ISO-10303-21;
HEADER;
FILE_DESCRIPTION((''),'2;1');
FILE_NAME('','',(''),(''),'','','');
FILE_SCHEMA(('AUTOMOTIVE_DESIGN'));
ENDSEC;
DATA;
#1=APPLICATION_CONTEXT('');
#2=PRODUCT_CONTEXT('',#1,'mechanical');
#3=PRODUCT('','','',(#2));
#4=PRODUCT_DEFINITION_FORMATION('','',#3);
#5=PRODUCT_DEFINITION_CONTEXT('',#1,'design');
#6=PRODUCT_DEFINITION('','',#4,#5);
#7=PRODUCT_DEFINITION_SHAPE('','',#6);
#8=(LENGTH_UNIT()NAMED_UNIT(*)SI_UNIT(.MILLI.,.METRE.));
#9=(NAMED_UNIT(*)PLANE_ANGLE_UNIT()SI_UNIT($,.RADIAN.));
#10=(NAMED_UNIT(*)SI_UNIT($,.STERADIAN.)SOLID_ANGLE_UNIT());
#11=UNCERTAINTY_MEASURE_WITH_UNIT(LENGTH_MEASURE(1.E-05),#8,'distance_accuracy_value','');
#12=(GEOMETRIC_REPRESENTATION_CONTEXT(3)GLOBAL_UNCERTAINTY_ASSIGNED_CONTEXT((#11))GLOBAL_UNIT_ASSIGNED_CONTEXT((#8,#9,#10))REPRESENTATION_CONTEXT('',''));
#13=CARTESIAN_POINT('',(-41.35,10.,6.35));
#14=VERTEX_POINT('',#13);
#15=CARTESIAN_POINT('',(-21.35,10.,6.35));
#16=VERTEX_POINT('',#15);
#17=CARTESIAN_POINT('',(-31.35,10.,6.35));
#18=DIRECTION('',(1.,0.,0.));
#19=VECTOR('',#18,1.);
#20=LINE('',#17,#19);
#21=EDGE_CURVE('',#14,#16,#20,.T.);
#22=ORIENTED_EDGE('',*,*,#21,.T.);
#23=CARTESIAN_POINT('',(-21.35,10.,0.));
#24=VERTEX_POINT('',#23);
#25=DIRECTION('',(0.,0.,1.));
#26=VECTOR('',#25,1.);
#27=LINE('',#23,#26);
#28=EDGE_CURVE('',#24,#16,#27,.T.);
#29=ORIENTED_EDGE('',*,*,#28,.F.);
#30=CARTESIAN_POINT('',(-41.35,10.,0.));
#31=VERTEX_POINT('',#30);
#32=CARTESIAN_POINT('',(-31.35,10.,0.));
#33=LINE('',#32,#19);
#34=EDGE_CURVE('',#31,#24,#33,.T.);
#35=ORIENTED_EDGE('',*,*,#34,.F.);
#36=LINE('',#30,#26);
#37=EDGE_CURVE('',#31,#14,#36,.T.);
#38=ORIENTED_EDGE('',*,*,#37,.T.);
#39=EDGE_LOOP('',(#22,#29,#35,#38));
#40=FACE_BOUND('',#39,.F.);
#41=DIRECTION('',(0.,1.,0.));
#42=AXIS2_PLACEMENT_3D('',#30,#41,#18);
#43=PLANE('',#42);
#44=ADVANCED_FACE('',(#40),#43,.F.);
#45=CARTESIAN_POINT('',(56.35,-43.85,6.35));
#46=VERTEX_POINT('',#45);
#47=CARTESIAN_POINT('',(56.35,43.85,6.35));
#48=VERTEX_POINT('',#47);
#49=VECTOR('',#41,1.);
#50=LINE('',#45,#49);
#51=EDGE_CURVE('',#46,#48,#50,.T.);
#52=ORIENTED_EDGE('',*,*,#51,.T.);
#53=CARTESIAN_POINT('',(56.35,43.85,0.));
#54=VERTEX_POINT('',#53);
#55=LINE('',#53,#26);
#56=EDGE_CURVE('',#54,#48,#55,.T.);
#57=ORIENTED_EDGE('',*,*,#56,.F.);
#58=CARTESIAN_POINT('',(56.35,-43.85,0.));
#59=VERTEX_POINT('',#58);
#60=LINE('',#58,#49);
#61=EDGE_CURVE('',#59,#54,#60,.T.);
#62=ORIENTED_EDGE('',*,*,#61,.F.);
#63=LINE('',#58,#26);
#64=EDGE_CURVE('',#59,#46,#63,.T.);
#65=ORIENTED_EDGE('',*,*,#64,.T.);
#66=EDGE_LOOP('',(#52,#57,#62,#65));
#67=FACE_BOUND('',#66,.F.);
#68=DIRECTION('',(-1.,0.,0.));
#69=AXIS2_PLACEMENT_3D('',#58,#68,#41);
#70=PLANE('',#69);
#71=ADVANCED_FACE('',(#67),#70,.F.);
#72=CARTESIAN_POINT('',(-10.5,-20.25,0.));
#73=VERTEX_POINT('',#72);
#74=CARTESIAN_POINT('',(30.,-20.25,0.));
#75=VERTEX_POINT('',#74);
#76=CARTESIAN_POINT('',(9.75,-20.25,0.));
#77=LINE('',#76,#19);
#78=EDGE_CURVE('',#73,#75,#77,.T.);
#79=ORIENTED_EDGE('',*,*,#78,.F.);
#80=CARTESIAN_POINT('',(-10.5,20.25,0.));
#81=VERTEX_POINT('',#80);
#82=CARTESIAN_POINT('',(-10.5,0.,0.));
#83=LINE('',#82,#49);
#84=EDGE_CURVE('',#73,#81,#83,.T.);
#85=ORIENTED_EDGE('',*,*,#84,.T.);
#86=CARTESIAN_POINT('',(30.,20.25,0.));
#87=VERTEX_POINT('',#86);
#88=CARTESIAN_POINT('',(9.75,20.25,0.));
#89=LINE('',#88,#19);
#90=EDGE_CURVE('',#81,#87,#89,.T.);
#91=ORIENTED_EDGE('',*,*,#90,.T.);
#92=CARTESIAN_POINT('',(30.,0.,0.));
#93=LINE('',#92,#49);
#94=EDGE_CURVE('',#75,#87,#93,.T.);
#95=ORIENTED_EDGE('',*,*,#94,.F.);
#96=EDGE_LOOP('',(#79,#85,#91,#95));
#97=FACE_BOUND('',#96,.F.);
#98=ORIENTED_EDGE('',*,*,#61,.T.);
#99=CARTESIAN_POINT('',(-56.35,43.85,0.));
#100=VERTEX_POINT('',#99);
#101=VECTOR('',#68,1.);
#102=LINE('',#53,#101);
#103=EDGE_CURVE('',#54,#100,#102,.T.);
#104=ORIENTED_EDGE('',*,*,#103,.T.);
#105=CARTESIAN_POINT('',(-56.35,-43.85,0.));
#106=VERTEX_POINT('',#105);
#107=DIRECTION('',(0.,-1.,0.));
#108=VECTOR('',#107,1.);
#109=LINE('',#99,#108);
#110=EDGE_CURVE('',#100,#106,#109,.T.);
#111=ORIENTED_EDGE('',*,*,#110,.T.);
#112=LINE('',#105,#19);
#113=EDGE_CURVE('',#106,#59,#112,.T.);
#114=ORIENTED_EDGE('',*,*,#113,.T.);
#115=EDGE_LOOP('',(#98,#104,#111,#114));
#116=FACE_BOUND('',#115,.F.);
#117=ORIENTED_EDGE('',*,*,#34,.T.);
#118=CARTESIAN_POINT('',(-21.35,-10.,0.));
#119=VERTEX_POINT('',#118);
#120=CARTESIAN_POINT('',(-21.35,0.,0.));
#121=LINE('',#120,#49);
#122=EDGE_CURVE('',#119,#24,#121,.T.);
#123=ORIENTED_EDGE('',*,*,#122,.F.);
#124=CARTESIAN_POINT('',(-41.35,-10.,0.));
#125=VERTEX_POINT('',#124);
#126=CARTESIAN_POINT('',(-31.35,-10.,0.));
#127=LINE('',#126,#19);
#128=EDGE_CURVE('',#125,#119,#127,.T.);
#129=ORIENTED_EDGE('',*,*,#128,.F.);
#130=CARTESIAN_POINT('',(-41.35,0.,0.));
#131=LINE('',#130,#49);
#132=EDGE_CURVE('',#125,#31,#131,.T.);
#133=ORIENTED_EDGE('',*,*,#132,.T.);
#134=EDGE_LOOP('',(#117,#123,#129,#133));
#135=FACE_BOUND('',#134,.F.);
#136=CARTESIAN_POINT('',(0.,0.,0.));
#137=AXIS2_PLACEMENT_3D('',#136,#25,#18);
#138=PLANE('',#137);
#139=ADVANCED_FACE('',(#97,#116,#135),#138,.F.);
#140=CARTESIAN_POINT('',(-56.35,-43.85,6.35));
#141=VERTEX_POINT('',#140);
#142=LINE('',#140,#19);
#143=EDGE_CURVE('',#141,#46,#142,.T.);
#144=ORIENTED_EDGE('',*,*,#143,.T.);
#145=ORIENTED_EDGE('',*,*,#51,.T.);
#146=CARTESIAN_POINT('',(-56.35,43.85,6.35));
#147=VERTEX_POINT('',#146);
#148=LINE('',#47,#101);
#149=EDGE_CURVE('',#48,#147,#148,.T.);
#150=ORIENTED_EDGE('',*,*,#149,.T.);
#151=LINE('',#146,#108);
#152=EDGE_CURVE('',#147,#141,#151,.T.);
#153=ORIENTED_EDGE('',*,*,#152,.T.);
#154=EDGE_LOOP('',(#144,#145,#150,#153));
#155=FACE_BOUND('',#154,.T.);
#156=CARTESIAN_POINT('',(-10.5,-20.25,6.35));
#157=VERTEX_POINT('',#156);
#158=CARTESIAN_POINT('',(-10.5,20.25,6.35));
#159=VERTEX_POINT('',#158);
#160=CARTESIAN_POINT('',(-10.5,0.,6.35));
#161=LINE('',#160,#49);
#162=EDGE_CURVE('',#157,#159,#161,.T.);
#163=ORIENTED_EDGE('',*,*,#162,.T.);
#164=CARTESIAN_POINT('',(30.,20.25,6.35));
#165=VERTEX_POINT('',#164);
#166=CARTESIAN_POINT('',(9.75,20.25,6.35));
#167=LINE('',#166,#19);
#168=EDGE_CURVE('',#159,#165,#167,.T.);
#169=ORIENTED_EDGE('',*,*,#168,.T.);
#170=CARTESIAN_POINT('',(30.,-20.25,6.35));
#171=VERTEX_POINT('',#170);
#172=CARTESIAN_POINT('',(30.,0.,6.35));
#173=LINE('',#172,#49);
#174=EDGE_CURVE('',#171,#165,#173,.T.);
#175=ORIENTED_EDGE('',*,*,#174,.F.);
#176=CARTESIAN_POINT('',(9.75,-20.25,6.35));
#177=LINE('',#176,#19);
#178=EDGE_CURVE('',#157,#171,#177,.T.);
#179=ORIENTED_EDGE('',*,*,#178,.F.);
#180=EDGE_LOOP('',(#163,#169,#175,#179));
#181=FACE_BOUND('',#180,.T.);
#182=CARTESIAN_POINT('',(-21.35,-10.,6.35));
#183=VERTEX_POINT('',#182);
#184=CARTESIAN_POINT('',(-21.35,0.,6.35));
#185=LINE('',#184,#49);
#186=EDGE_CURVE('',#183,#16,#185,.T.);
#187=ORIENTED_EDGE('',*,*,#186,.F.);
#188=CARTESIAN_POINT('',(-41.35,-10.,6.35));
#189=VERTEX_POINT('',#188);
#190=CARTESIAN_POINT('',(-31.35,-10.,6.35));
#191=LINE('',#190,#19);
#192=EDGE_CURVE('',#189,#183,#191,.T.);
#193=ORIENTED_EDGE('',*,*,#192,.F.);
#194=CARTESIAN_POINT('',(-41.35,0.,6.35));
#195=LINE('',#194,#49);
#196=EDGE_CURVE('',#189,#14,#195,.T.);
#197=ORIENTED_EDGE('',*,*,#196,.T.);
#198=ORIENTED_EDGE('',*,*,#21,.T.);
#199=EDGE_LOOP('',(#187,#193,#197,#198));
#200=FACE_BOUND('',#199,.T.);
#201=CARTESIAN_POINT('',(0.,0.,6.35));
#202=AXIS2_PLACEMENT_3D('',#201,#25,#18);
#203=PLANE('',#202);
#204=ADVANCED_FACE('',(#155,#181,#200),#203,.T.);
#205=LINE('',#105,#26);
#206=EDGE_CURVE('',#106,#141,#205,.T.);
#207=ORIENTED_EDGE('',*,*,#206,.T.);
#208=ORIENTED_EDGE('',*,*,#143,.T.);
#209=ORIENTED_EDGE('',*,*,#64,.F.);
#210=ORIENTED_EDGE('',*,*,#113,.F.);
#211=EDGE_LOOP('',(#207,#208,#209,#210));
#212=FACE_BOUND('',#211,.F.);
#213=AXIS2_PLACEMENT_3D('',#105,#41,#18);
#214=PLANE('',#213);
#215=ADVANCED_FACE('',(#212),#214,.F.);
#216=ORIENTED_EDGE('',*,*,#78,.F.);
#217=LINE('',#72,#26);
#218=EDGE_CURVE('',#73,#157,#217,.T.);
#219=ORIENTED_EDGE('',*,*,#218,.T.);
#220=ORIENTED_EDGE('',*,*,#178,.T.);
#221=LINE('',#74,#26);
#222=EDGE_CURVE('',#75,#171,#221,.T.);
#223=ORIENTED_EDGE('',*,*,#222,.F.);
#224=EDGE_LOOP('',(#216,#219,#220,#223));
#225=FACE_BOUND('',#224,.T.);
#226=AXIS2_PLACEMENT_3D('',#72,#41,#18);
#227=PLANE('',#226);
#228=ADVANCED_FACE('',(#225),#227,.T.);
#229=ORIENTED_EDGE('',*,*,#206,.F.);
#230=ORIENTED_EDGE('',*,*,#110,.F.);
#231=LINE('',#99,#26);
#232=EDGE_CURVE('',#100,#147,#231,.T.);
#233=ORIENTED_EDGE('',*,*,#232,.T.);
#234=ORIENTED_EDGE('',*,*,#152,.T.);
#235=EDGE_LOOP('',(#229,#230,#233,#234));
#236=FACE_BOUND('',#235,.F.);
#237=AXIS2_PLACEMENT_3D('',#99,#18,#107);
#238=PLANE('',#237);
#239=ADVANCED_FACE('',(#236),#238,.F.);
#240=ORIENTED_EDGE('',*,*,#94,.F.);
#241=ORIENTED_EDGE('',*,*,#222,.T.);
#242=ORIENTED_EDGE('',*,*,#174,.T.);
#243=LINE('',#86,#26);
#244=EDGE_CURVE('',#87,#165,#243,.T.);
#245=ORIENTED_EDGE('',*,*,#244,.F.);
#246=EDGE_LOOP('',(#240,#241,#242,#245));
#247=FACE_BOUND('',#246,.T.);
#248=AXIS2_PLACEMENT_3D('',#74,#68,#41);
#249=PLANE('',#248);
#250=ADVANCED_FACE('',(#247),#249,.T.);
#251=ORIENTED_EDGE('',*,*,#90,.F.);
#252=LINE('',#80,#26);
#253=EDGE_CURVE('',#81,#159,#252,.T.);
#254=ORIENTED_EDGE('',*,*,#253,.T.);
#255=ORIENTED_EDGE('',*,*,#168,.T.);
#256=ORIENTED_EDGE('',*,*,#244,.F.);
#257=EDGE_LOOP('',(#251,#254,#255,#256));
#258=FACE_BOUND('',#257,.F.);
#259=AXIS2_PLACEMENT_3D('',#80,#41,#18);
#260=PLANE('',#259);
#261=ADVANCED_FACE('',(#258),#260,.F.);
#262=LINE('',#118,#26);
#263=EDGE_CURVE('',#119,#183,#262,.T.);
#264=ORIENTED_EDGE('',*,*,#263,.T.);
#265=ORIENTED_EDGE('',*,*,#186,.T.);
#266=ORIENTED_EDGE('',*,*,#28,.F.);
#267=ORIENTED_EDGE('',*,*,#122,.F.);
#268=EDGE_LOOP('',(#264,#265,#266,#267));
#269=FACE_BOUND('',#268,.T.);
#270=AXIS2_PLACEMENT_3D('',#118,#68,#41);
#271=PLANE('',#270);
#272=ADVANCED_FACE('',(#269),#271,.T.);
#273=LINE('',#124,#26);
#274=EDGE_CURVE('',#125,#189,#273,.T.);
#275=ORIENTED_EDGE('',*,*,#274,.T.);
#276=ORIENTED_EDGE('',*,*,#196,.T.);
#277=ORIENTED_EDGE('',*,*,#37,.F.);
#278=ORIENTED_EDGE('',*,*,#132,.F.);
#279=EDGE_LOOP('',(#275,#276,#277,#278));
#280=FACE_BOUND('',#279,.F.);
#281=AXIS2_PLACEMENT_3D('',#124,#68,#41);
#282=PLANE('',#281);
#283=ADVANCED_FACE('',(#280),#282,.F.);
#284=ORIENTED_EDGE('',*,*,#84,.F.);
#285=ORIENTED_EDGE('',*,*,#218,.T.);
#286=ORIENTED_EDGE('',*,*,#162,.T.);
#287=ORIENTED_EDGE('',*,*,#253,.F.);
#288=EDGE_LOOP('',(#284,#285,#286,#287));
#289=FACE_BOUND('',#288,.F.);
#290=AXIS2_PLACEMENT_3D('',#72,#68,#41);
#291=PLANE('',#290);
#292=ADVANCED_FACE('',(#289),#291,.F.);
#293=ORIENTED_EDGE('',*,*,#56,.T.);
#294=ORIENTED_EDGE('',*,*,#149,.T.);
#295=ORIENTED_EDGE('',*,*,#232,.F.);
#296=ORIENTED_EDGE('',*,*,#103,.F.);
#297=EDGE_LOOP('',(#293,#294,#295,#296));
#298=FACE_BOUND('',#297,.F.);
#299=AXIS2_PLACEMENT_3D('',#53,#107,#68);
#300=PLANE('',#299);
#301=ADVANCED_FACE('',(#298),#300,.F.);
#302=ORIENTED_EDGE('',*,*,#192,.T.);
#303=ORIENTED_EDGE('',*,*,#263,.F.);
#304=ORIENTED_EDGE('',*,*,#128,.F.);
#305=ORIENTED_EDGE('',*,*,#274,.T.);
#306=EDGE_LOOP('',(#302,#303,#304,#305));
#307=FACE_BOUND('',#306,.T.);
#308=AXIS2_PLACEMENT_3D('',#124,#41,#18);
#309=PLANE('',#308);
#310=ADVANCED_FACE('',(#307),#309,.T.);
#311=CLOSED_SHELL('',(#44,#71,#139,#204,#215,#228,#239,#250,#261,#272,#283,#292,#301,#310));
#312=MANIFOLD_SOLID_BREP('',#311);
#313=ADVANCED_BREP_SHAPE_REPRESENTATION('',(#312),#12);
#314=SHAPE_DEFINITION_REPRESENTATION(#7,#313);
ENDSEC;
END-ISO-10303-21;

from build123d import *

# Parameters (mm, degrees)
F0_W     = 20
F0_H     = 20
F0_W_2   = 40.5
F0_H_2   = 40.5
F0_W_3   = 6.35
F0_H_3   = 6.35
F1_DEPTH = 6.35


with BuildPart() as f1:
    # F0 (on Top) → F1 (new body)
    with BuildSketch(Plane.XY):
        Polygon((-50, -37.5), (50, -37.5), (50, -20.25), (50, 37.5), (-50, 37.5), align=None)
        with Locations((-31.35, 0)):
            Rectangle(F0_W, F0_H, mode=Mode.SUBTRACT)
        with Locations((9.75, 0)):
            Rectangle(F0_W_2, F0_H_2, mode=Mode.SUBTRACT)
        with Locations((-53.175, 40.675)):
            Rectangle(F0_W_3, F0_H_3)
        Polygon((50, -20.25), (50, -37.5), (56.35, -37.5), (56.35, 43.85), (-50, 43.85), (-50, 37.5), (50, 37.5), align=None)
        Polygon((50, -43.85), (50, -37.5), (-50, -37.5), (-50, 37.5), (-56.35, 37.5), (-56.35, -43.85), align=None)
        with Locations((53.175, -40.675)):
            Rectangle(F0_W_3, F0_H_3)
    extrude(amount=F1_DEPTH)


solid = f1.part
